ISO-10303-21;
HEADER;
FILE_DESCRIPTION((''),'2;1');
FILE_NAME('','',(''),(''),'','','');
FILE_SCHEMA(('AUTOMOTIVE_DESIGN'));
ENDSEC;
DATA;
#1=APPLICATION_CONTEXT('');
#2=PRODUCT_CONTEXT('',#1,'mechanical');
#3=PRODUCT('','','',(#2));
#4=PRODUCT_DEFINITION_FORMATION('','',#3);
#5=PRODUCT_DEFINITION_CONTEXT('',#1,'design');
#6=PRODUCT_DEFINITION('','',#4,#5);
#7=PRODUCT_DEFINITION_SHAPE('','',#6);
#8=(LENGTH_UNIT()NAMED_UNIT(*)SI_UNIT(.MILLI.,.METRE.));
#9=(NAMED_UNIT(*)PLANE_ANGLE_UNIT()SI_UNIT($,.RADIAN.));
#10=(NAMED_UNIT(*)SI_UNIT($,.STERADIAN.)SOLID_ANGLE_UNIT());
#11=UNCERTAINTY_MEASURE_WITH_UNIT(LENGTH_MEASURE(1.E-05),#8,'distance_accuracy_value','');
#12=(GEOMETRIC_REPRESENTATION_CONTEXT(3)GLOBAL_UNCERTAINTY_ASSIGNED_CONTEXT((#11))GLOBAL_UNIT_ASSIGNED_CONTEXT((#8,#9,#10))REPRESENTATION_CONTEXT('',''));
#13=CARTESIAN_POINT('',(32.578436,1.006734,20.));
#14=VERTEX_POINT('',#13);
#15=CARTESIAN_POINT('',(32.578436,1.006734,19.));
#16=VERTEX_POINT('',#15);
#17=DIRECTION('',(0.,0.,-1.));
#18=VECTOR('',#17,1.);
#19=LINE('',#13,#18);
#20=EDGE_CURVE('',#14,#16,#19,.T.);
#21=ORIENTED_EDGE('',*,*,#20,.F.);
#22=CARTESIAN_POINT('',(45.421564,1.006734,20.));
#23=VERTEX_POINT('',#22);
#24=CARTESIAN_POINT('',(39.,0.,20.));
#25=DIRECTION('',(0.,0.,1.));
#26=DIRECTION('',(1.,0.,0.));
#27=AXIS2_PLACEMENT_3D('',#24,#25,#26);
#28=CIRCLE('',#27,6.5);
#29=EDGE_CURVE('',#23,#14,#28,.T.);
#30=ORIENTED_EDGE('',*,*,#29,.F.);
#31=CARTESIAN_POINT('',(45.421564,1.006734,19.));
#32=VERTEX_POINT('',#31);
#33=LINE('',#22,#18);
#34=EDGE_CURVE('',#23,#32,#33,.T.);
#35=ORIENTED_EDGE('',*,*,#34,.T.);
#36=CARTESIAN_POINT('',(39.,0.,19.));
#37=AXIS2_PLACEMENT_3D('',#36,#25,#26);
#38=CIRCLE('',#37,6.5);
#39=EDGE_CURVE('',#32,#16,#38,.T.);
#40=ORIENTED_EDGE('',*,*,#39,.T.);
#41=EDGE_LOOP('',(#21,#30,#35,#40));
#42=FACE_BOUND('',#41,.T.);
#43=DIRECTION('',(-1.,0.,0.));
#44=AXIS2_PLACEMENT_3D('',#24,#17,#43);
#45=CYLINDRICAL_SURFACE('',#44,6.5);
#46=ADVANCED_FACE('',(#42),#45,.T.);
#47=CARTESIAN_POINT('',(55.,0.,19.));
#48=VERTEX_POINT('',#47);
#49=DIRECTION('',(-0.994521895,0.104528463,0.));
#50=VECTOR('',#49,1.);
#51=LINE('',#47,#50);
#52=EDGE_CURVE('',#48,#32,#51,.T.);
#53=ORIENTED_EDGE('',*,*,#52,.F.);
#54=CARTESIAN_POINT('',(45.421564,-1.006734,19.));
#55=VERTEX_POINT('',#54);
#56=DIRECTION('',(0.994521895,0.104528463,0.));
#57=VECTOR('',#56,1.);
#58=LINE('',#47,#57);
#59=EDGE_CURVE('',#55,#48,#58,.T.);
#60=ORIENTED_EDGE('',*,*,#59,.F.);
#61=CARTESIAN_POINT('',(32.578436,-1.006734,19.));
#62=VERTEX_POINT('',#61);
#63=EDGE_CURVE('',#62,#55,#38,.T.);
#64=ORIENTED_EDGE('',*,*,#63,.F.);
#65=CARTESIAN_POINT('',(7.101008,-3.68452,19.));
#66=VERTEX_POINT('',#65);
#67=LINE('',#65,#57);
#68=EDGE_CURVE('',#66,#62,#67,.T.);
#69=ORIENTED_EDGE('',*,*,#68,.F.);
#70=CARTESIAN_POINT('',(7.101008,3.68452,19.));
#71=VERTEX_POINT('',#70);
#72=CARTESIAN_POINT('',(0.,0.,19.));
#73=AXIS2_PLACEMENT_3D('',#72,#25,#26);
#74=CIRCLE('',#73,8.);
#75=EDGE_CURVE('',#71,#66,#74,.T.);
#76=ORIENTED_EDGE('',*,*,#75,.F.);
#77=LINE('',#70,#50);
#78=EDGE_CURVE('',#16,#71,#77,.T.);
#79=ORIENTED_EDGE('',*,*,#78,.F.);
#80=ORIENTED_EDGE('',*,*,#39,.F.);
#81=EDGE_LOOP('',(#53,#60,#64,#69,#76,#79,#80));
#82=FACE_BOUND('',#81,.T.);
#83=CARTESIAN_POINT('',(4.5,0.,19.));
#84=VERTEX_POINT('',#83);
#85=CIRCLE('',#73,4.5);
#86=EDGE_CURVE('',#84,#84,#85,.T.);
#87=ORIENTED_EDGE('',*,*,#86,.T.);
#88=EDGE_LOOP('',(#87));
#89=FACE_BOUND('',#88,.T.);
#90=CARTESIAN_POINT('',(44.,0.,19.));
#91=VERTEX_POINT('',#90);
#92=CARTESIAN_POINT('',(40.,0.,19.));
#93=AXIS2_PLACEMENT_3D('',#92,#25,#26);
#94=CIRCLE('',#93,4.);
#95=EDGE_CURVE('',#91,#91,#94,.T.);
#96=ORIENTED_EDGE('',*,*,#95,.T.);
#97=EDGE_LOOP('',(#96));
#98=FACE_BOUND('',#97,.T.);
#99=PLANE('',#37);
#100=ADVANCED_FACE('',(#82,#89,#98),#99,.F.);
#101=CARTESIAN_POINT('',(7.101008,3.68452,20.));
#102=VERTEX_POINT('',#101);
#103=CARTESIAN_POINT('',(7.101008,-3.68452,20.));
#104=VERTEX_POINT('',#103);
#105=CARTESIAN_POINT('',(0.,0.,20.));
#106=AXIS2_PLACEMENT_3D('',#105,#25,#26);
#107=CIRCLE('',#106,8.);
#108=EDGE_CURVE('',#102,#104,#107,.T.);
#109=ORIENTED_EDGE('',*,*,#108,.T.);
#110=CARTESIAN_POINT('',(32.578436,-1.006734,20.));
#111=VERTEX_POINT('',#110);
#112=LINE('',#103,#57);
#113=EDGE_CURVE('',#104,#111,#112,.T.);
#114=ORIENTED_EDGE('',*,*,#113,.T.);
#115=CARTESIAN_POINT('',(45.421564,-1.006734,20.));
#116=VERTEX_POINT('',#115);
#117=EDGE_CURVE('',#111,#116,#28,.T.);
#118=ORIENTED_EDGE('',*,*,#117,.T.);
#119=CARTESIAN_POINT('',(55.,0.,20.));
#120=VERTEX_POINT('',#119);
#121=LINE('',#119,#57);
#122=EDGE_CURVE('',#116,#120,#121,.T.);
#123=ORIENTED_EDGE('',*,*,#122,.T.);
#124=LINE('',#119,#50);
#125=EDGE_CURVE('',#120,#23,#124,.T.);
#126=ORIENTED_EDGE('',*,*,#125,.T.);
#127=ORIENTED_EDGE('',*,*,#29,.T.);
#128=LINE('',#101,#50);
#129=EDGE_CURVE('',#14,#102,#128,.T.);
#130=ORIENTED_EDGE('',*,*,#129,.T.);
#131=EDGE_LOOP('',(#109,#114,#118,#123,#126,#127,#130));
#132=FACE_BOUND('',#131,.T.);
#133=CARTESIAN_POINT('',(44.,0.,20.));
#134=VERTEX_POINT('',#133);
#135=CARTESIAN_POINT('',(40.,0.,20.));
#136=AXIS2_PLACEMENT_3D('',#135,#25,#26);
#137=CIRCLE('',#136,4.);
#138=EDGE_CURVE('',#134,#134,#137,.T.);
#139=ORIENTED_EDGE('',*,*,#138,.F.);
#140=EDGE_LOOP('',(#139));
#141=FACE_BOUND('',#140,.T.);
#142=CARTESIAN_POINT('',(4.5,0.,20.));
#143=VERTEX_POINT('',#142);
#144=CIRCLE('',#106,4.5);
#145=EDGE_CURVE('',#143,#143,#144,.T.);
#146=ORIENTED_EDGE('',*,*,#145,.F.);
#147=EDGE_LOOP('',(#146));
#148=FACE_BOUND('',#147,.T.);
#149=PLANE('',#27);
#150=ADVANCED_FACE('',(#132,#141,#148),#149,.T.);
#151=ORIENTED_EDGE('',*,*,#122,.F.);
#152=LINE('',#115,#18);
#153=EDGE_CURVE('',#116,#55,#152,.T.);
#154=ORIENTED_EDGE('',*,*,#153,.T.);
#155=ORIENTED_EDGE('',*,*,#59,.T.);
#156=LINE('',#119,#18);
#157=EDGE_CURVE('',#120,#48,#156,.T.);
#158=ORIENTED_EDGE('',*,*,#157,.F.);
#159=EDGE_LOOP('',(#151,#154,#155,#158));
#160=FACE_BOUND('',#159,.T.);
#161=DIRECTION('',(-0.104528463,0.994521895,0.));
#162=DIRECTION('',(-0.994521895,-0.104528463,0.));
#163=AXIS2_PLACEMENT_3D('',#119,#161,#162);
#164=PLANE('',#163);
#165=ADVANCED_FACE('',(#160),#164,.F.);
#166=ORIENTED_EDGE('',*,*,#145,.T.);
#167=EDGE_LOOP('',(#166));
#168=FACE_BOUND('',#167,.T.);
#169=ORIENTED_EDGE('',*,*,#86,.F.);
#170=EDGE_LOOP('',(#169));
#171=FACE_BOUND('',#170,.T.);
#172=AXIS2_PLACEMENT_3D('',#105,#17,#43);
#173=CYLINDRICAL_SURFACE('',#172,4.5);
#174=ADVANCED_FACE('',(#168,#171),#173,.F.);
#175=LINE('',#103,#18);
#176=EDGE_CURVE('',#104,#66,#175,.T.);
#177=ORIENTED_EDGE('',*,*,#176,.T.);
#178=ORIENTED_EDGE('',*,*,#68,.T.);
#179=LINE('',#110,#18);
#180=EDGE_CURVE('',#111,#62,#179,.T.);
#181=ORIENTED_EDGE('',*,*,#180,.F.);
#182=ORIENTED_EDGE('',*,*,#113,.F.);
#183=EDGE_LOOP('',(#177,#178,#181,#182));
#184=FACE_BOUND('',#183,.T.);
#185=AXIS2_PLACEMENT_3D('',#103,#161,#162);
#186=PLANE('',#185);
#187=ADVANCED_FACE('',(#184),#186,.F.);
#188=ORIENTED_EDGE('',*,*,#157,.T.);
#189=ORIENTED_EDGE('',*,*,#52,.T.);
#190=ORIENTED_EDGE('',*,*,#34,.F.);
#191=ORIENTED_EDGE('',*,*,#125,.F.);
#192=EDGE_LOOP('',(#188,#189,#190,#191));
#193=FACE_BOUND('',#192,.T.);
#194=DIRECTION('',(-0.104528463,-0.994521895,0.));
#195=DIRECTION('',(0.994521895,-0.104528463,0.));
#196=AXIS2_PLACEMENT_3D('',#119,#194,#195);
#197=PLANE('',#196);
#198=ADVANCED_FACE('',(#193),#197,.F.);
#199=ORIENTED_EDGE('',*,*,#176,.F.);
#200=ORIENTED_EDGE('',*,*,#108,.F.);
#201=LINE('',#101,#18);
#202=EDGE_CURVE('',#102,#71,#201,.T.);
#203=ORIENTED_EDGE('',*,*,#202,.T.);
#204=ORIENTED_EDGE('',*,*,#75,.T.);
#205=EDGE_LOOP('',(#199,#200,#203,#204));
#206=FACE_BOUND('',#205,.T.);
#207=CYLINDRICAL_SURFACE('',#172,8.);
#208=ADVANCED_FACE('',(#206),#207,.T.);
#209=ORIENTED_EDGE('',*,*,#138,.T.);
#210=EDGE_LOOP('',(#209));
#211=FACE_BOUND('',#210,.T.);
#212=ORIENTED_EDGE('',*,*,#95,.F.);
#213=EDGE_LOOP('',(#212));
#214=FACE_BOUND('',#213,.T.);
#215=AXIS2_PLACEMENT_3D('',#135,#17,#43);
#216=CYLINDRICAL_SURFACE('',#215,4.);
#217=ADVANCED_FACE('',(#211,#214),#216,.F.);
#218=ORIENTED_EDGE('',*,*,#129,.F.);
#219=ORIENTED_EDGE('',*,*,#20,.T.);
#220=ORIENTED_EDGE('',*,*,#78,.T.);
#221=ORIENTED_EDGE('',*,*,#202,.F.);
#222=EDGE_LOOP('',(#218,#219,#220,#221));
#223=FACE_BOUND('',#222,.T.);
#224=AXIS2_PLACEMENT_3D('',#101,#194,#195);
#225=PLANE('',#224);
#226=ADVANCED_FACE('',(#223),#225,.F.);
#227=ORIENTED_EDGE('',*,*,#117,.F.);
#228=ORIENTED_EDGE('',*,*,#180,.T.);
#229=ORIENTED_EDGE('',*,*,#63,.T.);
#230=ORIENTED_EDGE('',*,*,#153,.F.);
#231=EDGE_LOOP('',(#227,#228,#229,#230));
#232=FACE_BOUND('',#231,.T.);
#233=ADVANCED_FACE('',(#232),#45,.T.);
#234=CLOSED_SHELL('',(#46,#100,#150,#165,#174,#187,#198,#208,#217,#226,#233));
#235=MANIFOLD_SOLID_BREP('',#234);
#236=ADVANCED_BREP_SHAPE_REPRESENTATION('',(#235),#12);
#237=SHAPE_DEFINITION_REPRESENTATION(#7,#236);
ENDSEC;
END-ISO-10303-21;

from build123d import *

# Parameters (mm, degrees)
BOSS_EXTRUDE1_START = 19
SKETCH2_R           = 4.5
SKETCH2_R_2         = 4
BOSS_EXTRUDE1_DEPTH = 1


with BuildPart() as part:
    # Sketch2 → Boss-Extrude1 (new body)
    with BuildSketch(Plane.XY.offset(BOSS_EXTRUDE1_START)):
        with BuildLine():
            Line((55, 0), (45.421564163, -1.006734174))
            ThreePointArc((45.421564163, -1.006734174), (39, -6.5), (32.578435837, -1.006734174))
            Line((32.578435837, -1.006734174), (7.101007974, -3.684519746))
            ThreePointArc((7.101007974, -3.684519746), (-8, 0), (7.101007974, 3.684519746))
            Line((7.101007974, 3.684519746), (32.578435837, 1.006734174))
            ThreePointArc((32.578435837, 1.006734174), (39, 6.5), (45.421564163, 1.006734174))
            Line((45.421564163, 1.006734174), (55, 0))
        make_face()
        Circle(SKETCH2_R, mode=Mode.SUBTRACT)
        with Locations((40, 0)):
            Circle(SKETCH2_R_2, mode=Mode.SUBTRACT)
    extrude(amount=BOSS_EXTRUDE1_DEPTH)


solid = part.part
